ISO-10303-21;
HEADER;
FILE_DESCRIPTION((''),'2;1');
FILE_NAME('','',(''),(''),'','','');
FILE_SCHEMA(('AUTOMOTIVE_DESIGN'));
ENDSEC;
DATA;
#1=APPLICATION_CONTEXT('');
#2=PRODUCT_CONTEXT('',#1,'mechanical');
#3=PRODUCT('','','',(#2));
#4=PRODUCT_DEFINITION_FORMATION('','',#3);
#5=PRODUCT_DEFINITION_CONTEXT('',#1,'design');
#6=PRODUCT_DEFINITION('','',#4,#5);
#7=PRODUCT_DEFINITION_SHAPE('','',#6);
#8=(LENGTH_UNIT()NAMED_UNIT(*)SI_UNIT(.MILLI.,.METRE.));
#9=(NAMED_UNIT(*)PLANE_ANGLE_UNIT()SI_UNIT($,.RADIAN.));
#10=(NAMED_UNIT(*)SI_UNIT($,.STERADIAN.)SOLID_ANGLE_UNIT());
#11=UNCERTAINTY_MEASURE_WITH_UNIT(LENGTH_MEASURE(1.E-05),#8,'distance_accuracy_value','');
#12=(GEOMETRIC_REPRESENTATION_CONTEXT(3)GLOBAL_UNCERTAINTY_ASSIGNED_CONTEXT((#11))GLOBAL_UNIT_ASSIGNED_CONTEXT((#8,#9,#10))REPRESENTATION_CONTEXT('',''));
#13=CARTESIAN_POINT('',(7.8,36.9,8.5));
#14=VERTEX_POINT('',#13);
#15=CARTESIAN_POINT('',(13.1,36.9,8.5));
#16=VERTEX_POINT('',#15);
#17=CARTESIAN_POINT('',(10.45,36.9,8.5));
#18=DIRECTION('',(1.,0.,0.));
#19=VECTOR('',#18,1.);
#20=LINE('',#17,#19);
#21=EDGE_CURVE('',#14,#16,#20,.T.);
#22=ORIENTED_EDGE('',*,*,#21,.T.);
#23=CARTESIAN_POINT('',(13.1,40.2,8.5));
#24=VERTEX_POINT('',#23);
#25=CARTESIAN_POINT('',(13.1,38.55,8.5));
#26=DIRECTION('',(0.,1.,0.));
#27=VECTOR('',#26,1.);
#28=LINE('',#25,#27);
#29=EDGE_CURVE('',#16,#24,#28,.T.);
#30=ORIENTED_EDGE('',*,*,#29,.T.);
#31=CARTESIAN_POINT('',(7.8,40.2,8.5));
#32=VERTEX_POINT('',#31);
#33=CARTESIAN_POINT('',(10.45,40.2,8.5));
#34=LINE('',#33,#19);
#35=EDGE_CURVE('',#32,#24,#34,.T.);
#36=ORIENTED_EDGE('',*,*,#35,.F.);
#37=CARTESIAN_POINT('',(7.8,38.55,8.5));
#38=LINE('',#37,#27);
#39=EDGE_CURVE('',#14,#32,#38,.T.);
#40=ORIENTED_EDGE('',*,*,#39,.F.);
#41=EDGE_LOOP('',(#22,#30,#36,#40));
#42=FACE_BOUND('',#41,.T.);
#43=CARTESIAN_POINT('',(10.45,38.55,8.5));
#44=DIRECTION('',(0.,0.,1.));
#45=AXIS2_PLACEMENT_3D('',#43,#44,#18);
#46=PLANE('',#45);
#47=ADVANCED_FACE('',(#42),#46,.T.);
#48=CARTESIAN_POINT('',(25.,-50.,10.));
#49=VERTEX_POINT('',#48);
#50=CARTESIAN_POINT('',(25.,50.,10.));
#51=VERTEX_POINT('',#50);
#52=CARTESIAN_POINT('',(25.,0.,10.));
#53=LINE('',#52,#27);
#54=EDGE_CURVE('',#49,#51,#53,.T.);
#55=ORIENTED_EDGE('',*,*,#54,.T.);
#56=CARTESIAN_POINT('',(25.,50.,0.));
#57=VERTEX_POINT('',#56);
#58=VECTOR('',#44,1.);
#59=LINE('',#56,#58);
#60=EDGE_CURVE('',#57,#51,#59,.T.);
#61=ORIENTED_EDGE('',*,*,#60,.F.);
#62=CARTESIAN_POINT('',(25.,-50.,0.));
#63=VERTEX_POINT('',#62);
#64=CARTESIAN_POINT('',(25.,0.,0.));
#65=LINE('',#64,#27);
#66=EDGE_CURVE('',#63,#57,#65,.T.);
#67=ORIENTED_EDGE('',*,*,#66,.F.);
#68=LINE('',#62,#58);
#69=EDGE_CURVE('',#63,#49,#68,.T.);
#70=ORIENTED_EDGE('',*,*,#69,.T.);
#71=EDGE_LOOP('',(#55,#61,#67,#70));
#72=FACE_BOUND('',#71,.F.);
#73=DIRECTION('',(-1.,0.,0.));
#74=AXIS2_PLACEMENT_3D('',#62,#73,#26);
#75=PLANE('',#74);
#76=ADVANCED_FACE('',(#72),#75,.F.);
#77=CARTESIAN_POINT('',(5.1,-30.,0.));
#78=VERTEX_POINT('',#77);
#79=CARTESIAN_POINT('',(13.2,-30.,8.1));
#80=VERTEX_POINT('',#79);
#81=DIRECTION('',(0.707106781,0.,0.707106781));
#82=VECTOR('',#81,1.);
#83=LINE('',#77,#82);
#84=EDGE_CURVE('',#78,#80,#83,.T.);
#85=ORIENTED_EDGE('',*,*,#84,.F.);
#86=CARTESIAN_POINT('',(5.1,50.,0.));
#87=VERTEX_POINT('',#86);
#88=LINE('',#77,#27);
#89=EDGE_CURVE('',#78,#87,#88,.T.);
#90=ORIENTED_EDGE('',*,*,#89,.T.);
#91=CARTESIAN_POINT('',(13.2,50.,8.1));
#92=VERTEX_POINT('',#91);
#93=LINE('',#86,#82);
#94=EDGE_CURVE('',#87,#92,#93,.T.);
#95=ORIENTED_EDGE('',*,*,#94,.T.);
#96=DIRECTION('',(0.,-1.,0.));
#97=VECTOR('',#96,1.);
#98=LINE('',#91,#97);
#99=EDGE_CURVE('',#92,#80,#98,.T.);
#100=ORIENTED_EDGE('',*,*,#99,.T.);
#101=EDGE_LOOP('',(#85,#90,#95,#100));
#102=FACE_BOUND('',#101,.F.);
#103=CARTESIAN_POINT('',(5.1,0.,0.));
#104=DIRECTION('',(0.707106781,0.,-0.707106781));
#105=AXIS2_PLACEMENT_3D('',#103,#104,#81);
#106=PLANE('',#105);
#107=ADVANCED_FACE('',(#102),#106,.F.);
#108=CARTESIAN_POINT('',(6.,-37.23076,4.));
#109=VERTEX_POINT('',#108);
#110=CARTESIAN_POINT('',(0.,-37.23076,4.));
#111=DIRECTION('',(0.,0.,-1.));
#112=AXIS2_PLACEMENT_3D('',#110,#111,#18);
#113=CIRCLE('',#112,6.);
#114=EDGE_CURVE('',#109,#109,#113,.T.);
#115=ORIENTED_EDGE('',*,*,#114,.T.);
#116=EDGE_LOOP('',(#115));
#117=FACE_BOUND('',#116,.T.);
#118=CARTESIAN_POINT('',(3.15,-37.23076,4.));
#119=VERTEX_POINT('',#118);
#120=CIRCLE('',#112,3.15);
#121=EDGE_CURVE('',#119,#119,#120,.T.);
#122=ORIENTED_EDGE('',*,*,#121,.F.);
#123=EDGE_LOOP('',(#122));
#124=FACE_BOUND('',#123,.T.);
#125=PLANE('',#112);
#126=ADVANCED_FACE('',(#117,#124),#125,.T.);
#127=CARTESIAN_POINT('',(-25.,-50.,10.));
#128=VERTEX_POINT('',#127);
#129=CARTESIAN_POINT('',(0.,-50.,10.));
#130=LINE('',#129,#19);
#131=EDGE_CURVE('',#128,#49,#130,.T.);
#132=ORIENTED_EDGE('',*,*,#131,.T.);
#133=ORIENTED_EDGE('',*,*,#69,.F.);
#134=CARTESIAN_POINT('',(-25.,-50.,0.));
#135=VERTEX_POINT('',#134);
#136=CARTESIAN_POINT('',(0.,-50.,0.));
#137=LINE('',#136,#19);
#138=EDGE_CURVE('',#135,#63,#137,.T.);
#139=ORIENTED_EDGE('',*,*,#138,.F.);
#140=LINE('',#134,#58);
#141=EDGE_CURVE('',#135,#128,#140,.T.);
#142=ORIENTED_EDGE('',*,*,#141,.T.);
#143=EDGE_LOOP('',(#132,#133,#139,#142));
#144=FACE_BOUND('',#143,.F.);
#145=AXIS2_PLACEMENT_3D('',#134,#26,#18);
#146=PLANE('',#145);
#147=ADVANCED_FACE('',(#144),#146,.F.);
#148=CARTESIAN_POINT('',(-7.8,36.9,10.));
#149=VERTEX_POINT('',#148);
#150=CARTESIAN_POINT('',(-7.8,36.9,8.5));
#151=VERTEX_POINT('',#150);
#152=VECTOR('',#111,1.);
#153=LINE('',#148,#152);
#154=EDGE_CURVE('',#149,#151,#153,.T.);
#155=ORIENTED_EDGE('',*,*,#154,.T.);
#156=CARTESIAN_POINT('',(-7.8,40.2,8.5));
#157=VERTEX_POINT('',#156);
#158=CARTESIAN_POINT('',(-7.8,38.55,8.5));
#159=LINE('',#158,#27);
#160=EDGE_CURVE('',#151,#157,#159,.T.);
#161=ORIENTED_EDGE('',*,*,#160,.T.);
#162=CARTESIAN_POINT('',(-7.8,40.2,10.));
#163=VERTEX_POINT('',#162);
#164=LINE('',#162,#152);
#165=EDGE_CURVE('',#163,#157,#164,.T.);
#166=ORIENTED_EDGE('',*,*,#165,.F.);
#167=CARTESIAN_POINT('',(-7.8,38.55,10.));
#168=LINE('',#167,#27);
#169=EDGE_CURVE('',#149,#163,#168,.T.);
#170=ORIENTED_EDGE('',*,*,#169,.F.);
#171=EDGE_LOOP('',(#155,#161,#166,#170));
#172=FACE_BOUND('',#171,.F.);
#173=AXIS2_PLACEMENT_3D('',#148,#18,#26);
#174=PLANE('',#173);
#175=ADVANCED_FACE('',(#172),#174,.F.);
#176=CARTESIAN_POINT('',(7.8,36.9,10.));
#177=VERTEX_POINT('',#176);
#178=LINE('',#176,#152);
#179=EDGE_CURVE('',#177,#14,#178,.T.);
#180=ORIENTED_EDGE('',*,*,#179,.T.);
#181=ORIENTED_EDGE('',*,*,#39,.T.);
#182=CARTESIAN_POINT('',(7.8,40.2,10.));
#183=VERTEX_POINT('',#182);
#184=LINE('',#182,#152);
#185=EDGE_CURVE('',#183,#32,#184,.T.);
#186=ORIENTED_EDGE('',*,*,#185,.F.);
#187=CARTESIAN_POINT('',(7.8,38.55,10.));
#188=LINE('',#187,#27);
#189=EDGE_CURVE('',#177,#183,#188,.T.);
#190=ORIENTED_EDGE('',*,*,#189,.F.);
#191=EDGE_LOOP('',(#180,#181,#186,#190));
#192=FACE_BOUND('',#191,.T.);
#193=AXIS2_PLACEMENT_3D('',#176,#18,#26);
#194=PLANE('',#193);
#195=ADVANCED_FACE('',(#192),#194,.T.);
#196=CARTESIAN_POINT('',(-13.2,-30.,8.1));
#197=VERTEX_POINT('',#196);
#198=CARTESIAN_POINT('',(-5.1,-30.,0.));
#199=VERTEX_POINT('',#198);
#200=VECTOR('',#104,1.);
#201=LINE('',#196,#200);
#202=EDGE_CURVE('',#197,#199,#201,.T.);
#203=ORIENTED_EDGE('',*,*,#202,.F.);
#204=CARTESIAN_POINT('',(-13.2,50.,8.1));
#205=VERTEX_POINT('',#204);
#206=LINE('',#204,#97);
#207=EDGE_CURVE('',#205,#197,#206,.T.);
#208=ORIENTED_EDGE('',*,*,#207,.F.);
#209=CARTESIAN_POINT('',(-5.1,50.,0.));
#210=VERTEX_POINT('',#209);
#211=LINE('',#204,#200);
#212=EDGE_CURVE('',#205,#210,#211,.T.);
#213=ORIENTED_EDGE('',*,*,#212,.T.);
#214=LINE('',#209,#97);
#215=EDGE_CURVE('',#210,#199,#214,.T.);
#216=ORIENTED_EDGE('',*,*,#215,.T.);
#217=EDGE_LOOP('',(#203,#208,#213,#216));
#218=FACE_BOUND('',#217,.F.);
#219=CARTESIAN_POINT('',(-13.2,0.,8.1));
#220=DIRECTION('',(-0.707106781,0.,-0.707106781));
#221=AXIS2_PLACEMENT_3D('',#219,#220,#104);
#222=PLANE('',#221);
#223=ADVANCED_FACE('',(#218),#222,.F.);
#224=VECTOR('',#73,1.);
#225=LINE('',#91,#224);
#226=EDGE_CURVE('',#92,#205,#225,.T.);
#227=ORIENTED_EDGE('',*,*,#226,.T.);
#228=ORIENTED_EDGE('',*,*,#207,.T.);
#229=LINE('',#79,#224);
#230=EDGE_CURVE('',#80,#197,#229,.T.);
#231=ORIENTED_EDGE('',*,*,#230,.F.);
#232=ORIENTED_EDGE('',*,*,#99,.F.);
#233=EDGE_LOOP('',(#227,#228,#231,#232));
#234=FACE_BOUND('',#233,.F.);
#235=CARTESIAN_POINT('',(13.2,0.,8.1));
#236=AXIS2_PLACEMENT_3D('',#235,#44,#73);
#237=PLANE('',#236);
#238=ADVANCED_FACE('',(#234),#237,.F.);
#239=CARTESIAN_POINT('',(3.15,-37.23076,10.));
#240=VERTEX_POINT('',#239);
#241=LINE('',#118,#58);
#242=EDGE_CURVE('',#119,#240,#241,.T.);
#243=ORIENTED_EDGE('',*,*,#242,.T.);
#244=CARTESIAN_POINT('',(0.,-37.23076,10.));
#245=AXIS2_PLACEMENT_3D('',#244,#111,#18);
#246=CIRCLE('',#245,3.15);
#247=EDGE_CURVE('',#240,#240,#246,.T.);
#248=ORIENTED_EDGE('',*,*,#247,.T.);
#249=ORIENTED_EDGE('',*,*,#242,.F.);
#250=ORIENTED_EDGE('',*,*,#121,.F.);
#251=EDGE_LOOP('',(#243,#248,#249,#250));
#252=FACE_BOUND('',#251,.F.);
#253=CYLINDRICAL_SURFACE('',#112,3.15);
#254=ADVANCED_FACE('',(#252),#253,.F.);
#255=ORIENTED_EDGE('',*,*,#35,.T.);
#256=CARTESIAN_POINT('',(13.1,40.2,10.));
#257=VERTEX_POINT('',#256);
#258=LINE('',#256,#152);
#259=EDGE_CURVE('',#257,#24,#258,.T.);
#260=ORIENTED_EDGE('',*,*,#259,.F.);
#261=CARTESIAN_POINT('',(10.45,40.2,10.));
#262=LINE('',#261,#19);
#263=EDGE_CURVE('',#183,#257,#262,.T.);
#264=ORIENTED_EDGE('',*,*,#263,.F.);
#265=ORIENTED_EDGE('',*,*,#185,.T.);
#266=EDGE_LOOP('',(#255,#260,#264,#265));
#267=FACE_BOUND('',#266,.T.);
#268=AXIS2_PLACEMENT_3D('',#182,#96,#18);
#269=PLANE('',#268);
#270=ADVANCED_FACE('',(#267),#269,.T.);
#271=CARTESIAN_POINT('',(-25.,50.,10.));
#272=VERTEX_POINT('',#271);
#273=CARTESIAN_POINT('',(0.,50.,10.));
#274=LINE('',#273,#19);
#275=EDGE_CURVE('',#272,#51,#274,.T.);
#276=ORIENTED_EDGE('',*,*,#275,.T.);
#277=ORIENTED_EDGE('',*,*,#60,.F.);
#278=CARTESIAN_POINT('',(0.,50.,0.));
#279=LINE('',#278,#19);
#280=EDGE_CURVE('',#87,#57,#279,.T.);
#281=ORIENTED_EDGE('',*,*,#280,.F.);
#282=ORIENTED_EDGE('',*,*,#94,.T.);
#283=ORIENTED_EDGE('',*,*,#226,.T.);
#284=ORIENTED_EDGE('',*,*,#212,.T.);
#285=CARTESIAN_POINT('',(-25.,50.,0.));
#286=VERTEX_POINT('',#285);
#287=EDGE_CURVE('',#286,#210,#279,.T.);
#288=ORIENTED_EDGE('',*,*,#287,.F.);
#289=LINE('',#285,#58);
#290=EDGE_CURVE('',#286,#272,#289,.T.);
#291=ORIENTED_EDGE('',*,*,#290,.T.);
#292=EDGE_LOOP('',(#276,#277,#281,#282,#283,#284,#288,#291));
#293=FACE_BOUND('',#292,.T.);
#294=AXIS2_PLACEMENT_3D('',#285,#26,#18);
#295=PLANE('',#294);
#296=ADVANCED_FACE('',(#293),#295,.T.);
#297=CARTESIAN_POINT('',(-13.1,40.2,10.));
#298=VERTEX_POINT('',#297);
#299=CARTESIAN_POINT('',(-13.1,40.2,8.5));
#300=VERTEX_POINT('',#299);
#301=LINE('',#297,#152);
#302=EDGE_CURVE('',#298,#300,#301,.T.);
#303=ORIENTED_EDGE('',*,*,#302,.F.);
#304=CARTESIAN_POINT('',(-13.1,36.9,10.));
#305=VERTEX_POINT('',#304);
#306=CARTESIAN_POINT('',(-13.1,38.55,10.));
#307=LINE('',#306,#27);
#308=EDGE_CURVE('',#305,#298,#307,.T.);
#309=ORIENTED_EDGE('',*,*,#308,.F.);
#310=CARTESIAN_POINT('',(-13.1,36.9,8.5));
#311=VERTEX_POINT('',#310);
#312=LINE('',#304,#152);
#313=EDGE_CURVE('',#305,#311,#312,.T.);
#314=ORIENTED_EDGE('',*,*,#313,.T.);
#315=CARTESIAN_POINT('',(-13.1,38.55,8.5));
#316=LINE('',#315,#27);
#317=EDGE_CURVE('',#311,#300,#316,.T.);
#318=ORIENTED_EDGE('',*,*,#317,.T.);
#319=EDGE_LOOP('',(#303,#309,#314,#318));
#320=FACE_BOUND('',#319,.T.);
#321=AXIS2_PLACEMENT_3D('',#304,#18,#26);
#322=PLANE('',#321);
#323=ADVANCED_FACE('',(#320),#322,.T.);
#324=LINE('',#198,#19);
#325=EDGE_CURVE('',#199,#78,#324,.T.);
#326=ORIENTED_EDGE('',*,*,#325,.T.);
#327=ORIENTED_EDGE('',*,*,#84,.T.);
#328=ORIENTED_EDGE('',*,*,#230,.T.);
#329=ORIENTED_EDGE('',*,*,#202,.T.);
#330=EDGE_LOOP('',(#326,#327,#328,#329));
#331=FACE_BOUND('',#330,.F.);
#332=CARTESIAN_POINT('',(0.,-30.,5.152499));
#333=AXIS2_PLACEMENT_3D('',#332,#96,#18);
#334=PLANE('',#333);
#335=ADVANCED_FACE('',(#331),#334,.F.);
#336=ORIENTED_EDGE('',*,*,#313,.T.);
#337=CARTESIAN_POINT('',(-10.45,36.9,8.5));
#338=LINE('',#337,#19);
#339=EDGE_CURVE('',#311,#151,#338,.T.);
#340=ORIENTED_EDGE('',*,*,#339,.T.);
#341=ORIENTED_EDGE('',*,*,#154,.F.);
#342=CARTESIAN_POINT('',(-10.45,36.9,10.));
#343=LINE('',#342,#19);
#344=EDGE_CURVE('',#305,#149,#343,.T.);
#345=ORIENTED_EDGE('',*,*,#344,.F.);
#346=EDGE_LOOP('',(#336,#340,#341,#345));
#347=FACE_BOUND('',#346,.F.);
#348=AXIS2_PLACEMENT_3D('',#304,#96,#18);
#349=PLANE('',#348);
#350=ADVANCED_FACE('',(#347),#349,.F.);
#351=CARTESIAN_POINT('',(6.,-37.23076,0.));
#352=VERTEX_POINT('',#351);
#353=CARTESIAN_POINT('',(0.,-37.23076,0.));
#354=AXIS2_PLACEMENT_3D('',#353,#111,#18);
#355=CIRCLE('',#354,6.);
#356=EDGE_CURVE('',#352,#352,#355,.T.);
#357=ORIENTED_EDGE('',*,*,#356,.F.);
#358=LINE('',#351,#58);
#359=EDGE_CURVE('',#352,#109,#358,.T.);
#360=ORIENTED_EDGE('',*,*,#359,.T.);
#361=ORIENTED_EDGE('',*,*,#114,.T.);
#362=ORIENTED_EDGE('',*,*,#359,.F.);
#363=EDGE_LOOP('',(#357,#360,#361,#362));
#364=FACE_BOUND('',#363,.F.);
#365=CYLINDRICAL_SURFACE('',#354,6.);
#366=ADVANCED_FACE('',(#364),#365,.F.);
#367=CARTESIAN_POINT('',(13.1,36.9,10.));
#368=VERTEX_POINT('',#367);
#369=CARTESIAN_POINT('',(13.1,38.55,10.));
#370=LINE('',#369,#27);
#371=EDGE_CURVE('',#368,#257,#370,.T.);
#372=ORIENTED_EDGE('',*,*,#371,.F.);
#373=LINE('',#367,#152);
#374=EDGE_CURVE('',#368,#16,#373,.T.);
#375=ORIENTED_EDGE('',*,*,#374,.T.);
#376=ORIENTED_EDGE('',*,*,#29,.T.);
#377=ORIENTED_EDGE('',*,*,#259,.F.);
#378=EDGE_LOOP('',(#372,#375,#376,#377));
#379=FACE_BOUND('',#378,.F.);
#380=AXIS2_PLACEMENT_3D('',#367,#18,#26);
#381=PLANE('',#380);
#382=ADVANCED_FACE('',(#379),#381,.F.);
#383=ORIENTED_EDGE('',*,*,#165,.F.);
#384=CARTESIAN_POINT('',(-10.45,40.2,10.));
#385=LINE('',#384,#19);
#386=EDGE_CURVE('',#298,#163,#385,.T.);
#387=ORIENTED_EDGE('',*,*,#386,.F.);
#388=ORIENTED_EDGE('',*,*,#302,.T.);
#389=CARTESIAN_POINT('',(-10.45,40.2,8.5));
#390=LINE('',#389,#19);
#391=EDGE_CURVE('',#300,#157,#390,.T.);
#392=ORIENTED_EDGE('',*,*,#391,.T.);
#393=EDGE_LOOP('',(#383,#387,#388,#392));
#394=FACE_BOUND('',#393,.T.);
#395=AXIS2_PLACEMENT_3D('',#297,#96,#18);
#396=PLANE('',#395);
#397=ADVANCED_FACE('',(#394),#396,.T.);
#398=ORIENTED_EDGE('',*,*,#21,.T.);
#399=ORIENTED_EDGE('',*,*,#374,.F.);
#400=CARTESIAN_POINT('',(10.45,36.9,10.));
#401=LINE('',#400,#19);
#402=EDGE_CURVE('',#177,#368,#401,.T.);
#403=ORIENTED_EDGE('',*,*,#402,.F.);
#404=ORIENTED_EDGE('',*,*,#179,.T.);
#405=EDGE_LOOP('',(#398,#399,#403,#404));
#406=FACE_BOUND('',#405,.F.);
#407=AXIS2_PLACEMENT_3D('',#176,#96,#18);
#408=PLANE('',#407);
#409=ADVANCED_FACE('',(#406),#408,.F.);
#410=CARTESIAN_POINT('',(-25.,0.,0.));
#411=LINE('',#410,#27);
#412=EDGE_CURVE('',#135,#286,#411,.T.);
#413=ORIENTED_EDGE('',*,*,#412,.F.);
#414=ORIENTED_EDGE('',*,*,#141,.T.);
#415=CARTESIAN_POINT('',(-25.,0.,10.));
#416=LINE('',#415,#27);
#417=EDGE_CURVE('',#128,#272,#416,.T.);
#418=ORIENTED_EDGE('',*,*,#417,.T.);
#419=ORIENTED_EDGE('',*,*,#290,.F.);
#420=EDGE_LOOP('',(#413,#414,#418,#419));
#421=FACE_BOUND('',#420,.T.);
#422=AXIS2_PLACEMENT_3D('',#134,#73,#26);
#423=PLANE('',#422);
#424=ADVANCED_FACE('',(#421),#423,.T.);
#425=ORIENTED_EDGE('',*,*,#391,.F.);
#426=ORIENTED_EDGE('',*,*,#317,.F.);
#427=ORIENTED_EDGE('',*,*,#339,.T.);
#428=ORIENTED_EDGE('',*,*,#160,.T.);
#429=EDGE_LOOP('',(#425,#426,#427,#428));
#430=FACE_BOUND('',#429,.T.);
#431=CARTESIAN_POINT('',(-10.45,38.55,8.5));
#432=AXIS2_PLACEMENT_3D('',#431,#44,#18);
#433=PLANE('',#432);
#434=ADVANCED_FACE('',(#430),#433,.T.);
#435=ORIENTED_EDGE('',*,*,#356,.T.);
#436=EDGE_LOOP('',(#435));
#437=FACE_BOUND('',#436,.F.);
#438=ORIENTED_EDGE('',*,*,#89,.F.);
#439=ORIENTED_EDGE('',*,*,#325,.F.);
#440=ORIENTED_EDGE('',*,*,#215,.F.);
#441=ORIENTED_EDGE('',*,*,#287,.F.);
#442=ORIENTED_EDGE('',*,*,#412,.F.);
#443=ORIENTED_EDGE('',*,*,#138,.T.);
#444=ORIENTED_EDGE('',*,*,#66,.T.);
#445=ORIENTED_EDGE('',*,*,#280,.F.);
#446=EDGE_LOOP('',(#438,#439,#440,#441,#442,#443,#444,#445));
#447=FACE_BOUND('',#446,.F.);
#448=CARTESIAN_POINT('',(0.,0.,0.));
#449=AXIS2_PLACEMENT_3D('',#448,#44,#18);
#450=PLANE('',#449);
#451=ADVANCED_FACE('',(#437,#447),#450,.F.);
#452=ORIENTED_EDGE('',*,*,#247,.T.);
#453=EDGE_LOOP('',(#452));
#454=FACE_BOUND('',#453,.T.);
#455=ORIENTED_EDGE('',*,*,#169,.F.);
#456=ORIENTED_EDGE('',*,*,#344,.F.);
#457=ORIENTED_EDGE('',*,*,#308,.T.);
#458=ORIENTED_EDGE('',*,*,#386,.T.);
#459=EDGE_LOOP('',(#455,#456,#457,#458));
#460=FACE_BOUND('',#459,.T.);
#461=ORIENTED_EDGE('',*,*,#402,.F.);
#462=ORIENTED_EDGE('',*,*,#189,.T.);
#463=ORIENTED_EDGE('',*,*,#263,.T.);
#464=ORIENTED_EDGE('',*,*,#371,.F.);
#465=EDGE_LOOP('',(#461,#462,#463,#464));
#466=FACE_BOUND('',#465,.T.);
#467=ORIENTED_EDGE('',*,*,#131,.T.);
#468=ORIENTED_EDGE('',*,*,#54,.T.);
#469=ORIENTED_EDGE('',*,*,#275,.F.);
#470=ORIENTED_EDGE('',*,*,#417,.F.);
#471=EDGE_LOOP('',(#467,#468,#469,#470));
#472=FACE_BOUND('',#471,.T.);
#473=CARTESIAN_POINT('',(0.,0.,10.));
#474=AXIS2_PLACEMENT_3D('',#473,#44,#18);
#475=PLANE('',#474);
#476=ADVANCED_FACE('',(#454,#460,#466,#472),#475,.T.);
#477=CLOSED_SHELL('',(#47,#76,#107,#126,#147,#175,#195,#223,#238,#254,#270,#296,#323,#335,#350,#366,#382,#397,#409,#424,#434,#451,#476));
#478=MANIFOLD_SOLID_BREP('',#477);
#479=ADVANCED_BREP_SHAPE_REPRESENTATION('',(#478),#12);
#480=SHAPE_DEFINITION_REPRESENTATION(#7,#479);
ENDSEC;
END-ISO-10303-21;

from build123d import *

# Parameters (mm, degrees)
F0_W          = 50
F0_H          = 100
F1_DEPTH      = 10
F3_DEPTH      = 50
F3_DEPTH_BACK = 30
F4_W          = 5.3
F4_H          = 3.3
F5_DEPTH      = 1.5
F6_R          = 6
F7_DEPTH      = 4
F8_R          = 3.15
F9_DEPTH      = 6


with BuildPart() as f1:
    # F0 (on Top) → F1 (new body)
    with BuildSketch(Plane.XY):
        Rectangle(F0_W, F0_H)
    extrude(amount=F1_DEPTH)

    # F2 (on Front) → F3 (cut, two sides)
    with BuildSketch(Plane.XZ) as f3_sk:
        Polygon((-5.1, 0), (0, 0), (5.1, 0), (13.2, 8.1), (0, 8.1), (-13.2, 8.1), align=None)
    extrude(amount=-F3_DEPTH, mode=Mode.SUBTRACT)
    extrude(f3_sk.sketch, amount=F3_DEPTH_BACK, mode=Mode.SUBTRACT)

    # F4 (on face) → F5 (cut)
    with BuildSketch(Plane.XY.offset(10)):
        with Locations((-10.45, 38.55)):
            Rectangle(F4_W, F4_H)
        with Locations((10.45, 38.55)):
            Rectangle(F4_W, F4_H)
    extrude(amount=-F5_DEPTH, mode=Mode.SUBTRACT)

    # F6 (on face) → F7 (cut)
    with BuildSketch(Plane(origin=(0, 0, 0), x_dir=(1, 0, 0), z_dir=(0, 0, -1))):
        with Locations((0, 37.2307598591)):
            Circle(F6_R)
    extrude(amount=-F7_DEPTH, mode=Mode.SUBTRACT)

    # F8 (on face) → F9 (cut, through all)
    with BuildSketch(Plane(origin=(0, 0, 4), x_dir=(1, 0, 0), z_dir=(0, 0, -1))):
        with Locations((0, 37.2307598591)):
            Circle(F8_R)
    extrude(amount=-F9_DEPTH, mode=Mode.SUBTRACT)


solid = f1.part
